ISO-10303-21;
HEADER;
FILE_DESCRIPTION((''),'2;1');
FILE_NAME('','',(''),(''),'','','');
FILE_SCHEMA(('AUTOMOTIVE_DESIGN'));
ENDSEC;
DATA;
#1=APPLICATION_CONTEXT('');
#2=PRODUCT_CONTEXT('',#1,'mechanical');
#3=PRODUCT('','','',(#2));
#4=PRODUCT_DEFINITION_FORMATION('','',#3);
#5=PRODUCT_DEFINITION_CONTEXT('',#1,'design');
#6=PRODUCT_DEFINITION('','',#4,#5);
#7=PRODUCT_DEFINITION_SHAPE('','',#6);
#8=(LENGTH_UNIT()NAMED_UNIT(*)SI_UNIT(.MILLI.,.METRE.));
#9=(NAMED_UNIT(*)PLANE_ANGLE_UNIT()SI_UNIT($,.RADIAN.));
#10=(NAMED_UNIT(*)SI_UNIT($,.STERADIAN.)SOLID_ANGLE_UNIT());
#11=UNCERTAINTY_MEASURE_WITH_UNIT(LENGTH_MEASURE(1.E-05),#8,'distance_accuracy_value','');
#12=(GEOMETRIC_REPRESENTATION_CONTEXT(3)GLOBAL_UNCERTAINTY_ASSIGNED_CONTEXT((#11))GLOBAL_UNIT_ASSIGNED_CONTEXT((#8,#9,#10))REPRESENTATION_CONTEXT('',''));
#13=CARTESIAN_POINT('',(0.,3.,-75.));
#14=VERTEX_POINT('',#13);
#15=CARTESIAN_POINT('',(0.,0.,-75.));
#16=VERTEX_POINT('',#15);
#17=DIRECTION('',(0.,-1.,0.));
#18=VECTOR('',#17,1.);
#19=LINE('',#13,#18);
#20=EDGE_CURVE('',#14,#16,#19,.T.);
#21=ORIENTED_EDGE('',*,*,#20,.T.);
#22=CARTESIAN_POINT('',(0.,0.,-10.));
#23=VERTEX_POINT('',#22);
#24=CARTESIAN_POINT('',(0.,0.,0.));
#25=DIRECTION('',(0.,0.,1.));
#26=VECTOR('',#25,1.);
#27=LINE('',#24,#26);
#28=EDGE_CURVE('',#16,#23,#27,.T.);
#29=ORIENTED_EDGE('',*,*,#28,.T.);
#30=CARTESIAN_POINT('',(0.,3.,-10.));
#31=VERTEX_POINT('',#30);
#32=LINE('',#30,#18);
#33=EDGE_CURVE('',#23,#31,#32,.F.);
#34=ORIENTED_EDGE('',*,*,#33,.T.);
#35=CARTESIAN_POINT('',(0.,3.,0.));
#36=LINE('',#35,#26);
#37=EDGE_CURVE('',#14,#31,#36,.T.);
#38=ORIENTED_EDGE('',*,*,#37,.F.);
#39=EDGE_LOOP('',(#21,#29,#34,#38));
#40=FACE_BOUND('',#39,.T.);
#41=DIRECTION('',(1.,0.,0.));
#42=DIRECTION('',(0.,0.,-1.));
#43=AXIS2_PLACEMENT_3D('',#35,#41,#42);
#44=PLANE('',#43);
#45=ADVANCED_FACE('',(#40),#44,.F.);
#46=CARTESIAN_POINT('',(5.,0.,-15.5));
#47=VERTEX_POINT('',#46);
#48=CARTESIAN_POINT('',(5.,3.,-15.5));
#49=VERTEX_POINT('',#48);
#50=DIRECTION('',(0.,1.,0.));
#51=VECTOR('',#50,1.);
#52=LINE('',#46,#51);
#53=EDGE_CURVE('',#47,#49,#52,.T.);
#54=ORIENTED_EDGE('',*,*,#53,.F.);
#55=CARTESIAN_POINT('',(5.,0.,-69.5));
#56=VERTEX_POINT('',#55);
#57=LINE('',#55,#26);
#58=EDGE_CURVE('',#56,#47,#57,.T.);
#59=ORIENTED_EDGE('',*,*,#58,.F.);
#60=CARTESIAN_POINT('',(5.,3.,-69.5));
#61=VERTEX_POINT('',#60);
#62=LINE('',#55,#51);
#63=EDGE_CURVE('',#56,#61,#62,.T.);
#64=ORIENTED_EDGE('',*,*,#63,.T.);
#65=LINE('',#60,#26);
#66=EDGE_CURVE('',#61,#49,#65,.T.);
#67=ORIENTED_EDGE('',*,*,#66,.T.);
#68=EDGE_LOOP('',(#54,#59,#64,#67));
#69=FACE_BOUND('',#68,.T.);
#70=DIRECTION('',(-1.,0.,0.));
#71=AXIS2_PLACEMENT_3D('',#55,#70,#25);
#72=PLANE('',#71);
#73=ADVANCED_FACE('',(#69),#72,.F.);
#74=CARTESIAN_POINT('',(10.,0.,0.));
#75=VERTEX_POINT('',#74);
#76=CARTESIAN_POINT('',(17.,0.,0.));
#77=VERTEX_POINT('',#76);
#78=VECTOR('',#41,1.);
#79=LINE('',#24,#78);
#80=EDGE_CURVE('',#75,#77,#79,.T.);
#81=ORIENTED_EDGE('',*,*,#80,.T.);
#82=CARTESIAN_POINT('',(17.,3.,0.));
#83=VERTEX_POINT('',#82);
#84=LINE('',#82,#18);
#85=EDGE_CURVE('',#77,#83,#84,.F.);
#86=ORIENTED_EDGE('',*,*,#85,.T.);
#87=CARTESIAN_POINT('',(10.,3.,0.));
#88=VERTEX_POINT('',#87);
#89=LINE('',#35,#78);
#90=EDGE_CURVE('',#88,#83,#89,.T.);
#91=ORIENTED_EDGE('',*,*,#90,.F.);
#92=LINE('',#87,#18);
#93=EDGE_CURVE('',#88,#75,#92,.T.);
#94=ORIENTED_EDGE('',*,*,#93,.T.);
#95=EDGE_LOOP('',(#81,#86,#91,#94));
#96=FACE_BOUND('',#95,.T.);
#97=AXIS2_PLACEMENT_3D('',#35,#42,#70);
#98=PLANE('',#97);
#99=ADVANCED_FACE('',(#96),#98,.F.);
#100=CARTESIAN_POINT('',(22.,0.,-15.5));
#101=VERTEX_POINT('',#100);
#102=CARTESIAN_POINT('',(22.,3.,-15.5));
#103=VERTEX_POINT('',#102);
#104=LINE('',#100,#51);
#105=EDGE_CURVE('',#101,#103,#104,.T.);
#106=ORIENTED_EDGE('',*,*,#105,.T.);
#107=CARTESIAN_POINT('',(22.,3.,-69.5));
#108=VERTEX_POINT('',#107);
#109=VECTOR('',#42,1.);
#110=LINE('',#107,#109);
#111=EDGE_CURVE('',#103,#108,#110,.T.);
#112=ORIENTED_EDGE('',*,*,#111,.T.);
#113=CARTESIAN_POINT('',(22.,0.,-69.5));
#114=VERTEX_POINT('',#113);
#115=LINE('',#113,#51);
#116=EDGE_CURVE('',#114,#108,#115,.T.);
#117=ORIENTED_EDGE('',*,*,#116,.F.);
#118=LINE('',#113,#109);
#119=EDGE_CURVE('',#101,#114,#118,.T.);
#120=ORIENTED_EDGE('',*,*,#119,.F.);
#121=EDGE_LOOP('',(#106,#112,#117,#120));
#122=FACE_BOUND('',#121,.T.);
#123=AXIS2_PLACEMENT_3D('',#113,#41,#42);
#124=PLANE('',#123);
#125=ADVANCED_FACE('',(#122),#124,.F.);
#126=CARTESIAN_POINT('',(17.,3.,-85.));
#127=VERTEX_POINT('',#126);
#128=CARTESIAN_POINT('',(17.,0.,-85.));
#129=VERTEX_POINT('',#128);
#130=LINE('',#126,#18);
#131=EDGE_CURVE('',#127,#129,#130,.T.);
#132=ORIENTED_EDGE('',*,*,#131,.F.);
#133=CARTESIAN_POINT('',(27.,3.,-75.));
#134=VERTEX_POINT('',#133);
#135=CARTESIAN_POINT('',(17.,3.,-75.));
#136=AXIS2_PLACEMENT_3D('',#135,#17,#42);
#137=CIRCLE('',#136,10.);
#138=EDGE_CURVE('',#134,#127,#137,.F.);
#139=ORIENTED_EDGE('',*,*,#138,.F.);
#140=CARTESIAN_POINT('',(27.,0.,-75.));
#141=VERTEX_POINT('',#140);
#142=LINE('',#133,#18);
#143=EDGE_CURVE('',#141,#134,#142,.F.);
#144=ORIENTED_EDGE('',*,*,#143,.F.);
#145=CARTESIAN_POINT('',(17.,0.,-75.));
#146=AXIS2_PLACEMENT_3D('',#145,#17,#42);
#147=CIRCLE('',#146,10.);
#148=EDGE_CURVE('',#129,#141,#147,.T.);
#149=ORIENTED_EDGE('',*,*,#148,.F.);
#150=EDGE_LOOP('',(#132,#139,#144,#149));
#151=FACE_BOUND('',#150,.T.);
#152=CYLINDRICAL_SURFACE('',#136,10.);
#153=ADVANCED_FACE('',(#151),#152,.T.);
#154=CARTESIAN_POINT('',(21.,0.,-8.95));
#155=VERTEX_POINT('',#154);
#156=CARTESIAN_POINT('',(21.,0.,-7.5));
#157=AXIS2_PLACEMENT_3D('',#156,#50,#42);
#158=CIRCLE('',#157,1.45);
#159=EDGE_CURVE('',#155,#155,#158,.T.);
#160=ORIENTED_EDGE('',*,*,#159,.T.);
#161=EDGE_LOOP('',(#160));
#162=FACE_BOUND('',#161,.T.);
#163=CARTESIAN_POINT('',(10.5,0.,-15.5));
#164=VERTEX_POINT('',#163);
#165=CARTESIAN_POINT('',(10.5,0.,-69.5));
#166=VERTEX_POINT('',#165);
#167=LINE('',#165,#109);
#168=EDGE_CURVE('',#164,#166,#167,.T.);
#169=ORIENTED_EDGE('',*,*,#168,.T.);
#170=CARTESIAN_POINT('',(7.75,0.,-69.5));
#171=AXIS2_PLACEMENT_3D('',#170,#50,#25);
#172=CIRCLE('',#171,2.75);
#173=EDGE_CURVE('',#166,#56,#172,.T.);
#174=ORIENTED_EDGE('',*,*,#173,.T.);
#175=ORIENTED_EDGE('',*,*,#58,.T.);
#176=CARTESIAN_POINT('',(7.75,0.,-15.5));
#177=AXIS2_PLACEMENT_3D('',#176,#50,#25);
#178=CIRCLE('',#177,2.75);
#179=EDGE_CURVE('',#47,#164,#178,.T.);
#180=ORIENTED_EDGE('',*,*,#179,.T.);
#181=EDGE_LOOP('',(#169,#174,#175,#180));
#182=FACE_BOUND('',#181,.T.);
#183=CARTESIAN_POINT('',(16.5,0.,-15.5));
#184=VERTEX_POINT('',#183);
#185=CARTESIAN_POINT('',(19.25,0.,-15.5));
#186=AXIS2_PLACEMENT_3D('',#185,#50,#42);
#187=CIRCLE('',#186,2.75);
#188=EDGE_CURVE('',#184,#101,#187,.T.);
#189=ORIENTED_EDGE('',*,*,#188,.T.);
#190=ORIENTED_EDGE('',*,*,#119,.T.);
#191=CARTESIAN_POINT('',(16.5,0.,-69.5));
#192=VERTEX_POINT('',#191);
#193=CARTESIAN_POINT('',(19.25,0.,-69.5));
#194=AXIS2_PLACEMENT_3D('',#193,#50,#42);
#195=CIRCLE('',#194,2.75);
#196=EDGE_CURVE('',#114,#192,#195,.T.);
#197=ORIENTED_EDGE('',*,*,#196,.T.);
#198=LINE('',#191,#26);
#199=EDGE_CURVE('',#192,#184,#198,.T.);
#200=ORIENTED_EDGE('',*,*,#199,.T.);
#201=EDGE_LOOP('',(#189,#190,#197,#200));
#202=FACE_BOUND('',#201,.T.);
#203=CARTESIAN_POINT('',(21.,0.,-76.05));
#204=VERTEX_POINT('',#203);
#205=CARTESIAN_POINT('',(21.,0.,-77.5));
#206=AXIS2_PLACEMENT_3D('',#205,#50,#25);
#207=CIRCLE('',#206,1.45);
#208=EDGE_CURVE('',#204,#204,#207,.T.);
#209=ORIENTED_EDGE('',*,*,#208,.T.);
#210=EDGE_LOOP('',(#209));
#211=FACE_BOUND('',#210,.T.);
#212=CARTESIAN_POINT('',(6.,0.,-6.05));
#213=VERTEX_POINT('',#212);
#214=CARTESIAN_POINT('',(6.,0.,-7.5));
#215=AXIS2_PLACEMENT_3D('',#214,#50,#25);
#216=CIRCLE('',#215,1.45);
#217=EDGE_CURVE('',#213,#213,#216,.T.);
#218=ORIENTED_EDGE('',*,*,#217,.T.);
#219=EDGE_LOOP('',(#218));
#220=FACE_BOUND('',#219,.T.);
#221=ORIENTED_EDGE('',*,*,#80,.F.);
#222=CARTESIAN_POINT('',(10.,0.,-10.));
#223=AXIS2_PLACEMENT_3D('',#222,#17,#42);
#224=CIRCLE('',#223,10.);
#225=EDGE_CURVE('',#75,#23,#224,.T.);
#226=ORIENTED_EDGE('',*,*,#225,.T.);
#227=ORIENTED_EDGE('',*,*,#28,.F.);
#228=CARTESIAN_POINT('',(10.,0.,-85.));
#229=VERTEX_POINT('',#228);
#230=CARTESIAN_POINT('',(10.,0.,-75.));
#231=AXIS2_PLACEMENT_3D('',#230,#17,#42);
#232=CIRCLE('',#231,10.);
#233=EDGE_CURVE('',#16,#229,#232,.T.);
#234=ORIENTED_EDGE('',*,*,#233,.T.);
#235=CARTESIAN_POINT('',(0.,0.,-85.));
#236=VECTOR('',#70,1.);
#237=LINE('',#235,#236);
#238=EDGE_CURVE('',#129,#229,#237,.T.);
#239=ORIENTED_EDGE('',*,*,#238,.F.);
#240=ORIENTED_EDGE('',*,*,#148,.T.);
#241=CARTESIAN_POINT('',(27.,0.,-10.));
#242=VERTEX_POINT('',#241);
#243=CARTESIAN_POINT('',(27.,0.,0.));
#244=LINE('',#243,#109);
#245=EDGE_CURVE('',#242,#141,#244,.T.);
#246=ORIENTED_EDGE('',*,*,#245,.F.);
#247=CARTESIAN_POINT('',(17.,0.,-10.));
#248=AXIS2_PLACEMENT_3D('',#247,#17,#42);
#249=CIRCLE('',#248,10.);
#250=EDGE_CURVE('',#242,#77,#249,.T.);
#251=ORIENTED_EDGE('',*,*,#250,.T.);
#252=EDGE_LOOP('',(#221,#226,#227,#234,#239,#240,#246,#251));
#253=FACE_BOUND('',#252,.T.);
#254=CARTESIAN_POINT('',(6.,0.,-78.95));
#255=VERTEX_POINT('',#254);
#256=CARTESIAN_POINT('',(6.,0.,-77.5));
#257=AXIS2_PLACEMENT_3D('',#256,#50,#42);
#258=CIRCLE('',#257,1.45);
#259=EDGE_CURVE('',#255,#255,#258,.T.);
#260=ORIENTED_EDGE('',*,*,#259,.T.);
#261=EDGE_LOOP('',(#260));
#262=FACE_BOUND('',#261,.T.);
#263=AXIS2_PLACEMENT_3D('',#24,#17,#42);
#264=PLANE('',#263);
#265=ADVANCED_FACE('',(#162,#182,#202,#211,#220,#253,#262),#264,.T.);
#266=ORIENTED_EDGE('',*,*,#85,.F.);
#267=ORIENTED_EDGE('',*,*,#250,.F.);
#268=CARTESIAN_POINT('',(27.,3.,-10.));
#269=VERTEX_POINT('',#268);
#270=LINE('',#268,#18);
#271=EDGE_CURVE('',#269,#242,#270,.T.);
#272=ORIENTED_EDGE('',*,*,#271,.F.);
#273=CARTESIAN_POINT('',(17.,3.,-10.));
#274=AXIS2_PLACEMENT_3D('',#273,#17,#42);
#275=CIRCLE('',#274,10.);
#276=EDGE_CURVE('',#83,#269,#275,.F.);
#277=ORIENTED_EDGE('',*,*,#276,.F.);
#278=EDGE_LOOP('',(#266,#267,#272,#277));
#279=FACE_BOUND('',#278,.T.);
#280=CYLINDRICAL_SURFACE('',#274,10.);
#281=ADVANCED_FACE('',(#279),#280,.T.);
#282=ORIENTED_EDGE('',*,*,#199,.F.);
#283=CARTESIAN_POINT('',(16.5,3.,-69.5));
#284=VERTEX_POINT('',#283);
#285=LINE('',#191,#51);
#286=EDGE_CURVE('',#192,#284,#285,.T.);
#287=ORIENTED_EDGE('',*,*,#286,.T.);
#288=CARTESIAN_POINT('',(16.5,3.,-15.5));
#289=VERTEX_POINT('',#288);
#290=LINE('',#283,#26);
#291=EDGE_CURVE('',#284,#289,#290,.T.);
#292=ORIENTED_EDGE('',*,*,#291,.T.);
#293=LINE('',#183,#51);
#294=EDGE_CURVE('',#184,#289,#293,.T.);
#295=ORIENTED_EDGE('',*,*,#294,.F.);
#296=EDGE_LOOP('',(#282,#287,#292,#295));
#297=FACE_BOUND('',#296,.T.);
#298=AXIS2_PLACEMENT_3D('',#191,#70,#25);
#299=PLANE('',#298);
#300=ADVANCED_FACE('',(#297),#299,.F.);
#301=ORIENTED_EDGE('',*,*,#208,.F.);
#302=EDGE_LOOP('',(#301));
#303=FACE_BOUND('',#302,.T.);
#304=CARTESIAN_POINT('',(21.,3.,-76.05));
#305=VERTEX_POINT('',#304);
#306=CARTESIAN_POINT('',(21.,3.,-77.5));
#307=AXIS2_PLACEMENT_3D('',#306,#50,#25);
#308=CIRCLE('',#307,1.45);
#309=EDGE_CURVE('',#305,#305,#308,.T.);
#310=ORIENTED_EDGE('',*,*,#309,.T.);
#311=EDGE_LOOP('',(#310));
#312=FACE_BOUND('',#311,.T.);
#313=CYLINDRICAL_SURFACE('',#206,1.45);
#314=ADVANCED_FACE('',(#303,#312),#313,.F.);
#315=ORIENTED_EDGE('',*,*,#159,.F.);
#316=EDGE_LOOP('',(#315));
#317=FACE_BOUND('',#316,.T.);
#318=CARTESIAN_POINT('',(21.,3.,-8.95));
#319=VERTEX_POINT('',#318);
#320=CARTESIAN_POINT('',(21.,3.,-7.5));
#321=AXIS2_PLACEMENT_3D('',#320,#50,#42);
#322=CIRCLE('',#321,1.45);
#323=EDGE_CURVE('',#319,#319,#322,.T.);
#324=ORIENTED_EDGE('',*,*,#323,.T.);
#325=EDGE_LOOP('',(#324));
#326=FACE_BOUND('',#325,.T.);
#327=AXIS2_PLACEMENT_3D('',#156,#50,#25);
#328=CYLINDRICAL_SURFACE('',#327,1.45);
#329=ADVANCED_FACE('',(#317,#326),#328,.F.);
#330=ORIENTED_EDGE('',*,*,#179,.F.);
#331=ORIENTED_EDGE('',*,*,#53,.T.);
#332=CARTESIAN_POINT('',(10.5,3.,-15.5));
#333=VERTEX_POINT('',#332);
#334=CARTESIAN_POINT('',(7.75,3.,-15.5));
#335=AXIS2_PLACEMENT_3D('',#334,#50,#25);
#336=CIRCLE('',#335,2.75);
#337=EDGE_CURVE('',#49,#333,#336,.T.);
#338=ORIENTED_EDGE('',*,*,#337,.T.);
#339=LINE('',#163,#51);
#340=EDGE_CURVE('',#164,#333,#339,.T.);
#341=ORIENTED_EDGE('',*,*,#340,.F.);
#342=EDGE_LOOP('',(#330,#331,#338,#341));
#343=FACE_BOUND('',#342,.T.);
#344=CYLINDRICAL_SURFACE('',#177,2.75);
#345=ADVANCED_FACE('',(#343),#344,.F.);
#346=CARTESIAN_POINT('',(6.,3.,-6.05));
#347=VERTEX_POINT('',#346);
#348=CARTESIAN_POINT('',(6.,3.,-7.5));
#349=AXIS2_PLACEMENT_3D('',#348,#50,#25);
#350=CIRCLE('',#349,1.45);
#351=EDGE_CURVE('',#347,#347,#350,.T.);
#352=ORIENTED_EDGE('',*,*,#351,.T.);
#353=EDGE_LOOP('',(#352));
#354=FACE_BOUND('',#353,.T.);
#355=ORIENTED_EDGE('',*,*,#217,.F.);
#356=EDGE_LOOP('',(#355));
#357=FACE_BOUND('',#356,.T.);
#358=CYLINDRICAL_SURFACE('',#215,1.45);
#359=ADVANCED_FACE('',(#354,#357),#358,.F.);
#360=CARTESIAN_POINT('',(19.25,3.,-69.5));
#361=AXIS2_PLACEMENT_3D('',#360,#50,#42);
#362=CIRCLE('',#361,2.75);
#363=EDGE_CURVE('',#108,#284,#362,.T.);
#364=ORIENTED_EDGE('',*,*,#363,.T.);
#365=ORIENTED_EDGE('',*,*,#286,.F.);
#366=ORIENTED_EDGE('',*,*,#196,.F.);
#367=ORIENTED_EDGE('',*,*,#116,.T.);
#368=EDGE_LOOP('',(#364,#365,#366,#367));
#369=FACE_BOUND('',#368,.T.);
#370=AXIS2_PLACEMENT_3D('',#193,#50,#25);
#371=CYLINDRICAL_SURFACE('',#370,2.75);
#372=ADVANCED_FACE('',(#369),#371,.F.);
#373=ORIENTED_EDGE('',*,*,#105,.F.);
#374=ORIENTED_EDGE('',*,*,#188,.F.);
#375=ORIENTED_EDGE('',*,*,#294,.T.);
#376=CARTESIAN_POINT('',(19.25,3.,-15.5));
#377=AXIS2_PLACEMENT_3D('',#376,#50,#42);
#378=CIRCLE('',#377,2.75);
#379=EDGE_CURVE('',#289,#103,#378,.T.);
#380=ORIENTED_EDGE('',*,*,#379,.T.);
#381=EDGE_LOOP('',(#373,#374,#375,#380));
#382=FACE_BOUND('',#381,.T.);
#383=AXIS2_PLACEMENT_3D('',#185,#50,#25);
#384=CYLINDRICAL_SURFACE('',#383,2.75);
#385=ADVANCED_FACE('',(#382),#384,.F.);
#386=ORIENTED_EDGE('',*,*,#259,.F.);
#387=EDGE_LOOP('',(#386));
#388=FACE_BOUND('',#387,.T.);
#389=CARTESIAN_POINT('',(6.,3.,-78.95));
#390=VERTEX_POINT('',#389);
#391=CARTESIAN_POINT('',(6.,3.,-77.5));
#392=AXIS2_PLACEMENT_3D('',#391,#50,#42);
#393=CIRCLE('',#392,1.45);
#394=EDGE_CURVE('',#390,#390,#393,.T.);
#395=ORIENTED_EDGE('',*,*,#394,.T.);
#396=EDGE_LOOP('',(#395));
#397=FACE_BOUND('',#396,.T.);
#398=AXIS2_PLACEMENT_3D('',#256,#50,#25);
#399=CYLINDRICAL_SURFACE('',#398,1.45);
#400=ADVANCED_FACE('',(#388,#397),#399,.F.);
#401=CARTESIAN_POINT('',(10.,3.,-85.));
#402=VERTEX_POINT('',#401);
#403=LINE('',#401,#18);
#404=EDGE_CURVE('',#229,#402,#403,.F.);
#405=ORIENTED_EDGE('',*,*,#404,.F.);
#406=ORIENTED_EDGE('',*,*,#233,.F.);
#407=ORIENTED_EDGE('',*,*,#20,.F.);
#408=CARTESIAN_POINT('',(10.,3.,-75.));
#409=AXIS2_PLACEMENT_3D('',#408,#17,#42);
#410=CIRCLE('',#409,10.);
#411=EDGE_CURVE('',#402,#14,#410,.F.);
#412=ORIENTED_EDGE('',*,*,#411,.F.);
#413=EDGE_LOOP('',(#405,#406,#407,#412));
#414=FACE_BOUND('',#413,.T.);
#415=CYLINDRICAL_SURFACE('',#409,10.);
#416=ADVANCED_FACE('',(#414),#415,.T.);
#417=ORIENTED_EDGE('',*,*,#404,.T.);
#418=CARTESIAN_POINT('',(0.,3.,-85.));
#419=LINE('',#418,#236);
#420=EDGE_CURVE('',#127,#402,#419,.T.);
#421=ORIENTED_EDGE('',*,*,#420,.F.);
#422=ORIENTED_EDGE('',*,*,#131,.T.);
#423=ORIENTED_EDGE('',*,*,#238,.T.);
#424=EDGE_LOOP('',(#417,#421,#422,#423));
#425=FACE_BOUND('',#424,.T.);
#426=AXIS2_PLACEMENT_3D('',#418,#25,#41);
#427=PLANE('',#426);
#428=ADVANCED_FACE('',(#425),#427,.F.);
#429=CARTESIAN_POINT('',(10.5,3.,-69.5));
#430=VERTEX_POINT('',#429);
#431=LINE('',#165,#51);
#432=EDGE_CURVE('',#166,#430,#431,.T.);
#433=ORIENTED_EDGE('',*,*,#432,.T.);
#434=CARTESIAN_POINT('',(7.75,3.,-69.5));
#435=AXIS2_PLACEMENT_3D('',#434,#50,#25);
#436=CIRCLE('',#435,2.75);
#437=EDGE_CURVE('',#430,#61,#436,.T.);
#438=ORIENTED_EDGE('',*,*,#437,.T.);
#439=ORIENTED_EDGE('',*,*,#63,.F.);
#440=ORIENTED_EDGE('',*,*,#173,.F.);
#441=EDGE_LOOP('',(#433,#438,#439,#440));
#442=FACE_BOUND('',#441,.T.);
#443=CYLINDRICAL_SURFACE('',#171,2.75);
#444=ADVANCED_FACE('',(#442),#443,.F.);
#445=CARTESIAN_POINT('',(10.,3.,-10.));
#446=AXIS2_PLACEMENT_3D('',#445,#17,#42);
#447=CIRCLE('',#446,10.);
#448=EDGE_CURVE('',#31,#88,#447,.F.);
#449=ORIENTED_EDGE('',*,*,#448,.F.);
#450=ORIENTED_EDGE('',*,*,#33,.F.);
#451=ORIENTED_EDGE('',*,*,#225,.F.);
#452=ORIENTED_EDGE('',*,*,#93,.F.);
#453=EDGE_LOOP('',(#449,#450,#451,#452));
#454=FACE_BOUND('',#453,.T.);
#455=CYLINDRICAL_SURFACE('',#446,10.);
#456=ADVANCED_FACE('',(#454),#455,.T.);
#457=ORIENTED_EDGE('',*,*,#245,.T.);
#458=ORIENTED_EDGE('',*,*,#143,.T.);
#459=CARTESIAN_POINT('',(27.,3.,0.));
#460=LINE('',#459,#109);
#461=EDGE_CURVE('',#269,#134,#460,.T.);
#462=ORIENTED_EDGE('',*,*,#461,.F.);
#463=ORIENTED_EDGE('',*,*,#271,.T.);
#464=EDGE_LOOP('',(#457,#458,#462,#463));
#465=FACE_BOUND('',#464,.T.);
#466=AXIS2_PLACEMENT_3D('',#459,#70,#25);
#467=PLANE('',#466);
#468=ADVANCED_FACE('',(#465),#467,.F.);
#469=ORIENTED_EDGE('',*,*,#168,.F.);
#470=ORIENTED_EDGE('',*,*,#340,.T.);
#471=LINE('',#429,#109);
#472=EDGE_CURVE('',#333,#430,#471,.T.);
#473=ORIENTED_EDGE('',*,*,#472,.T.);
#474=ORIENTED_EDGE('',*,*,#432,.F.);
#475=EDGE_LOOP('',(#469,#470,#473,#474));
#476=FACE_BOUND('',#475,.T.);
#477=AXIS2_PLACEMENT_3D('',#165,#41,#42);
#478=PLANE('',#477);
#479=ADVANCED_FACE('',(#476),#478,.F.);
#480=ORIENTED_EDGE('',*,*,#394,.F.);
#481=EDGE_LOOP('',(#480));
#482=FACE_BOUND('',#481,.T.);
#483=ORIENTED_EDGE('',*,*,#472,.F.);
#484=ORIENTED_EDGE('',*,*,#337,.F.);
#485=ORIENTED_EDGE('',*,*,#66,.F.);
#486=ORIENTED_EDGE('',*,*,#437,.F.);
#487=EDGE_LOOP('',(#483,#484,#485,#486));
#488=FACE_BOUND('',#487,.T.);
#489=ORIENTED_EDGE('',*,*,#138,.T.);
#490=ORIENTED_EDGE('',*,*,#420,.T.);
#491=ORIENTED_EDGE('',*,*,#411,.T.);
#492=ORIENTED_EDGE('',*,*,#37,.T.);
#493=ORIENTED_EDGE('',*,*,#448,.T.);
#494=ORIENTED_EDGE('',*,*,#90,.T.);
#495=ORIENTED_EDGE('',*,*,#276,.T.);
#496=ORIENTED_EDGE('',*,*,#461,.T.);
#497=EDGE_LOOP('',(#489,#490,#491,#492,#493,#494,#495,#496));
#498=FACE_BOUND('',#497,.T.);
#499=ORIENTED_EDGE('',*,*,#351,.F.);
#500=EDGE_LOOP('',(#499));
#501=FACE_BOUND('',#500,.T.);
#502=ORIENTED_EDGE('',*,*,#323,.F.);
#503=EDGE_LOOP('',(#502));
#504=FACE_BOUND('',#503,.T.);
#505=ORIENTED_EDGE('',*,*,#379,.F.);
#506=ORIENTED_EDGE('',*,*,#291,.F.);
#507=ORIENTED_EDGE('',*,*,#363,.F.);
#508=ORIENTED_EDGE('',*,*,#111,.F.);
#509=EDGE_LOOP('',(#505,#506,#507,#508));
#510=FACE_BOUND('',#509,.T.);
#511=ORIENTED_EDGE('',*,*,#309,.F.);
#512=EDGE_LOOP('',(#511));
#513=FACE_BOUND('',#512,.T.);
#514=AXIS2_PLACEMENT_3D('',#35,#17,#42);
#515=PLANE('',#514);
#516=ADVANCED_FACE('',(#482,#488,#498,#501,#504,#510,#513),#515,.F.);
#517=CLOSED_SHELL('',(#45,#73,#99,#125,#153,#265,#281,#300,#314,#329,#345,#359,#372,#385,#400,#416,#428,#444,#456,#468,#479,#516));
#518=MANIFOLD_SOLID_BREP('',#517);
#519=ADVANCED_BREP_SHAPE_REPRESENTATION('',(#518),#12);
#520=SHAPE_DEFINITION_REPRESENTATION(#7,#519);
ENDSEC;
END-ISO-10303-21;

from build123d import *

# Parameters (mm, degrees)
SKETCH_1_W          = 27
SKETCH_1_H          = 85
EXTRUDE_1_DEPTH     = 3
SKETCH_2_R          = 1.45
CUT_EXTRUDE_1_DEPTH = 90.235643103
CUT_EXTRUDE_2_DEPTH = 90.235643103
FILLET_1_R          = 10


with BuildPart() as part:
    # 草图1 → 凸台-拉伸1 (new body)
    with BuildSketch(Plane(origin=(0, 0, 0), x_dir=(1, 0, 0), z_dir=(0, 1, 0))):
        with Locations((13.5, 42.5)):
            Rectangle(SKETCH_1_W, SKETCH_1_H)
    extrude(amount=EXTRUDE_1_DEPTH)

    # 草图2 → 切除-拉伸1 (cut, through all)
    with BuildSketch(Plane(origin=(0, 3, 0), x_dir=(1, 0, 0), z_dir=(0, 1, 0))):
        with Locations(Location((6, 7.5, 0), (0, 0, 270))):
            Circle(SKETCH_2_R)
        with Locations(Location((21, 7.5, 0), (0, 0, 90))):
            Circle(SKETCH_2_R)
        with Locations(Location((21, 77.5, 0), (0, 0, 270))):
            Circle(SKETCH_2_R)
        with Locations(Location((6, 77.5, 0), (0, 0, 90))):
            Circle(SKETCH_2_R)
    extrude(amount=-CUT_EXTRUDE_1_DEPTH, mode=Mode.SUBTRACT)

    # 草图3 → 切除-拉伸2 (cut, through all)
    with BuildSketch(Plane(origin=(0, 3, 0), x_dir=(1, 0, 0), z_dir=(0, 1, 0))):
        with BuildLine():
            Line((10.5, 69.5), (10.5, 15.5))
            ThreePointArc((10.5, 15.5), (7.75, 12.75), (5, 15.5))
            Line((5, 15.5), (5, 69.5))
            ThreePointArc((5, 69.5), (7.75, 72.25), (10.5, 69.5))
        make_face()
        with BuildLine():
            Line((16.5, 69.5), (16.5, 15.5))
            ThreePointArc((16.5, 15.5), (19.25, 12.75), (22, 15.5))
            Line((22, 15.5), (22, 69.5))
            ThreePointArc((22, 69.5), (19.25, 72.25), (16.5, 69.5))
        make_face()
    extrude(amount=-CUT_EXTRUDE_2_DEPTH, mode=Mode.SUBTRACT)

    # 圆角1
    fillet_1_edges = [part.edges().sort_by_distance(p)[0] for p in [
        (0, 1.5, -85),
        (27, 1.5, -85),
        (27, 1.5, 0),
        (0, 1.5, 0),
    ]]
    fillet(fillet_1_edges, radius=FILLET_1_R)


solid = part.part
